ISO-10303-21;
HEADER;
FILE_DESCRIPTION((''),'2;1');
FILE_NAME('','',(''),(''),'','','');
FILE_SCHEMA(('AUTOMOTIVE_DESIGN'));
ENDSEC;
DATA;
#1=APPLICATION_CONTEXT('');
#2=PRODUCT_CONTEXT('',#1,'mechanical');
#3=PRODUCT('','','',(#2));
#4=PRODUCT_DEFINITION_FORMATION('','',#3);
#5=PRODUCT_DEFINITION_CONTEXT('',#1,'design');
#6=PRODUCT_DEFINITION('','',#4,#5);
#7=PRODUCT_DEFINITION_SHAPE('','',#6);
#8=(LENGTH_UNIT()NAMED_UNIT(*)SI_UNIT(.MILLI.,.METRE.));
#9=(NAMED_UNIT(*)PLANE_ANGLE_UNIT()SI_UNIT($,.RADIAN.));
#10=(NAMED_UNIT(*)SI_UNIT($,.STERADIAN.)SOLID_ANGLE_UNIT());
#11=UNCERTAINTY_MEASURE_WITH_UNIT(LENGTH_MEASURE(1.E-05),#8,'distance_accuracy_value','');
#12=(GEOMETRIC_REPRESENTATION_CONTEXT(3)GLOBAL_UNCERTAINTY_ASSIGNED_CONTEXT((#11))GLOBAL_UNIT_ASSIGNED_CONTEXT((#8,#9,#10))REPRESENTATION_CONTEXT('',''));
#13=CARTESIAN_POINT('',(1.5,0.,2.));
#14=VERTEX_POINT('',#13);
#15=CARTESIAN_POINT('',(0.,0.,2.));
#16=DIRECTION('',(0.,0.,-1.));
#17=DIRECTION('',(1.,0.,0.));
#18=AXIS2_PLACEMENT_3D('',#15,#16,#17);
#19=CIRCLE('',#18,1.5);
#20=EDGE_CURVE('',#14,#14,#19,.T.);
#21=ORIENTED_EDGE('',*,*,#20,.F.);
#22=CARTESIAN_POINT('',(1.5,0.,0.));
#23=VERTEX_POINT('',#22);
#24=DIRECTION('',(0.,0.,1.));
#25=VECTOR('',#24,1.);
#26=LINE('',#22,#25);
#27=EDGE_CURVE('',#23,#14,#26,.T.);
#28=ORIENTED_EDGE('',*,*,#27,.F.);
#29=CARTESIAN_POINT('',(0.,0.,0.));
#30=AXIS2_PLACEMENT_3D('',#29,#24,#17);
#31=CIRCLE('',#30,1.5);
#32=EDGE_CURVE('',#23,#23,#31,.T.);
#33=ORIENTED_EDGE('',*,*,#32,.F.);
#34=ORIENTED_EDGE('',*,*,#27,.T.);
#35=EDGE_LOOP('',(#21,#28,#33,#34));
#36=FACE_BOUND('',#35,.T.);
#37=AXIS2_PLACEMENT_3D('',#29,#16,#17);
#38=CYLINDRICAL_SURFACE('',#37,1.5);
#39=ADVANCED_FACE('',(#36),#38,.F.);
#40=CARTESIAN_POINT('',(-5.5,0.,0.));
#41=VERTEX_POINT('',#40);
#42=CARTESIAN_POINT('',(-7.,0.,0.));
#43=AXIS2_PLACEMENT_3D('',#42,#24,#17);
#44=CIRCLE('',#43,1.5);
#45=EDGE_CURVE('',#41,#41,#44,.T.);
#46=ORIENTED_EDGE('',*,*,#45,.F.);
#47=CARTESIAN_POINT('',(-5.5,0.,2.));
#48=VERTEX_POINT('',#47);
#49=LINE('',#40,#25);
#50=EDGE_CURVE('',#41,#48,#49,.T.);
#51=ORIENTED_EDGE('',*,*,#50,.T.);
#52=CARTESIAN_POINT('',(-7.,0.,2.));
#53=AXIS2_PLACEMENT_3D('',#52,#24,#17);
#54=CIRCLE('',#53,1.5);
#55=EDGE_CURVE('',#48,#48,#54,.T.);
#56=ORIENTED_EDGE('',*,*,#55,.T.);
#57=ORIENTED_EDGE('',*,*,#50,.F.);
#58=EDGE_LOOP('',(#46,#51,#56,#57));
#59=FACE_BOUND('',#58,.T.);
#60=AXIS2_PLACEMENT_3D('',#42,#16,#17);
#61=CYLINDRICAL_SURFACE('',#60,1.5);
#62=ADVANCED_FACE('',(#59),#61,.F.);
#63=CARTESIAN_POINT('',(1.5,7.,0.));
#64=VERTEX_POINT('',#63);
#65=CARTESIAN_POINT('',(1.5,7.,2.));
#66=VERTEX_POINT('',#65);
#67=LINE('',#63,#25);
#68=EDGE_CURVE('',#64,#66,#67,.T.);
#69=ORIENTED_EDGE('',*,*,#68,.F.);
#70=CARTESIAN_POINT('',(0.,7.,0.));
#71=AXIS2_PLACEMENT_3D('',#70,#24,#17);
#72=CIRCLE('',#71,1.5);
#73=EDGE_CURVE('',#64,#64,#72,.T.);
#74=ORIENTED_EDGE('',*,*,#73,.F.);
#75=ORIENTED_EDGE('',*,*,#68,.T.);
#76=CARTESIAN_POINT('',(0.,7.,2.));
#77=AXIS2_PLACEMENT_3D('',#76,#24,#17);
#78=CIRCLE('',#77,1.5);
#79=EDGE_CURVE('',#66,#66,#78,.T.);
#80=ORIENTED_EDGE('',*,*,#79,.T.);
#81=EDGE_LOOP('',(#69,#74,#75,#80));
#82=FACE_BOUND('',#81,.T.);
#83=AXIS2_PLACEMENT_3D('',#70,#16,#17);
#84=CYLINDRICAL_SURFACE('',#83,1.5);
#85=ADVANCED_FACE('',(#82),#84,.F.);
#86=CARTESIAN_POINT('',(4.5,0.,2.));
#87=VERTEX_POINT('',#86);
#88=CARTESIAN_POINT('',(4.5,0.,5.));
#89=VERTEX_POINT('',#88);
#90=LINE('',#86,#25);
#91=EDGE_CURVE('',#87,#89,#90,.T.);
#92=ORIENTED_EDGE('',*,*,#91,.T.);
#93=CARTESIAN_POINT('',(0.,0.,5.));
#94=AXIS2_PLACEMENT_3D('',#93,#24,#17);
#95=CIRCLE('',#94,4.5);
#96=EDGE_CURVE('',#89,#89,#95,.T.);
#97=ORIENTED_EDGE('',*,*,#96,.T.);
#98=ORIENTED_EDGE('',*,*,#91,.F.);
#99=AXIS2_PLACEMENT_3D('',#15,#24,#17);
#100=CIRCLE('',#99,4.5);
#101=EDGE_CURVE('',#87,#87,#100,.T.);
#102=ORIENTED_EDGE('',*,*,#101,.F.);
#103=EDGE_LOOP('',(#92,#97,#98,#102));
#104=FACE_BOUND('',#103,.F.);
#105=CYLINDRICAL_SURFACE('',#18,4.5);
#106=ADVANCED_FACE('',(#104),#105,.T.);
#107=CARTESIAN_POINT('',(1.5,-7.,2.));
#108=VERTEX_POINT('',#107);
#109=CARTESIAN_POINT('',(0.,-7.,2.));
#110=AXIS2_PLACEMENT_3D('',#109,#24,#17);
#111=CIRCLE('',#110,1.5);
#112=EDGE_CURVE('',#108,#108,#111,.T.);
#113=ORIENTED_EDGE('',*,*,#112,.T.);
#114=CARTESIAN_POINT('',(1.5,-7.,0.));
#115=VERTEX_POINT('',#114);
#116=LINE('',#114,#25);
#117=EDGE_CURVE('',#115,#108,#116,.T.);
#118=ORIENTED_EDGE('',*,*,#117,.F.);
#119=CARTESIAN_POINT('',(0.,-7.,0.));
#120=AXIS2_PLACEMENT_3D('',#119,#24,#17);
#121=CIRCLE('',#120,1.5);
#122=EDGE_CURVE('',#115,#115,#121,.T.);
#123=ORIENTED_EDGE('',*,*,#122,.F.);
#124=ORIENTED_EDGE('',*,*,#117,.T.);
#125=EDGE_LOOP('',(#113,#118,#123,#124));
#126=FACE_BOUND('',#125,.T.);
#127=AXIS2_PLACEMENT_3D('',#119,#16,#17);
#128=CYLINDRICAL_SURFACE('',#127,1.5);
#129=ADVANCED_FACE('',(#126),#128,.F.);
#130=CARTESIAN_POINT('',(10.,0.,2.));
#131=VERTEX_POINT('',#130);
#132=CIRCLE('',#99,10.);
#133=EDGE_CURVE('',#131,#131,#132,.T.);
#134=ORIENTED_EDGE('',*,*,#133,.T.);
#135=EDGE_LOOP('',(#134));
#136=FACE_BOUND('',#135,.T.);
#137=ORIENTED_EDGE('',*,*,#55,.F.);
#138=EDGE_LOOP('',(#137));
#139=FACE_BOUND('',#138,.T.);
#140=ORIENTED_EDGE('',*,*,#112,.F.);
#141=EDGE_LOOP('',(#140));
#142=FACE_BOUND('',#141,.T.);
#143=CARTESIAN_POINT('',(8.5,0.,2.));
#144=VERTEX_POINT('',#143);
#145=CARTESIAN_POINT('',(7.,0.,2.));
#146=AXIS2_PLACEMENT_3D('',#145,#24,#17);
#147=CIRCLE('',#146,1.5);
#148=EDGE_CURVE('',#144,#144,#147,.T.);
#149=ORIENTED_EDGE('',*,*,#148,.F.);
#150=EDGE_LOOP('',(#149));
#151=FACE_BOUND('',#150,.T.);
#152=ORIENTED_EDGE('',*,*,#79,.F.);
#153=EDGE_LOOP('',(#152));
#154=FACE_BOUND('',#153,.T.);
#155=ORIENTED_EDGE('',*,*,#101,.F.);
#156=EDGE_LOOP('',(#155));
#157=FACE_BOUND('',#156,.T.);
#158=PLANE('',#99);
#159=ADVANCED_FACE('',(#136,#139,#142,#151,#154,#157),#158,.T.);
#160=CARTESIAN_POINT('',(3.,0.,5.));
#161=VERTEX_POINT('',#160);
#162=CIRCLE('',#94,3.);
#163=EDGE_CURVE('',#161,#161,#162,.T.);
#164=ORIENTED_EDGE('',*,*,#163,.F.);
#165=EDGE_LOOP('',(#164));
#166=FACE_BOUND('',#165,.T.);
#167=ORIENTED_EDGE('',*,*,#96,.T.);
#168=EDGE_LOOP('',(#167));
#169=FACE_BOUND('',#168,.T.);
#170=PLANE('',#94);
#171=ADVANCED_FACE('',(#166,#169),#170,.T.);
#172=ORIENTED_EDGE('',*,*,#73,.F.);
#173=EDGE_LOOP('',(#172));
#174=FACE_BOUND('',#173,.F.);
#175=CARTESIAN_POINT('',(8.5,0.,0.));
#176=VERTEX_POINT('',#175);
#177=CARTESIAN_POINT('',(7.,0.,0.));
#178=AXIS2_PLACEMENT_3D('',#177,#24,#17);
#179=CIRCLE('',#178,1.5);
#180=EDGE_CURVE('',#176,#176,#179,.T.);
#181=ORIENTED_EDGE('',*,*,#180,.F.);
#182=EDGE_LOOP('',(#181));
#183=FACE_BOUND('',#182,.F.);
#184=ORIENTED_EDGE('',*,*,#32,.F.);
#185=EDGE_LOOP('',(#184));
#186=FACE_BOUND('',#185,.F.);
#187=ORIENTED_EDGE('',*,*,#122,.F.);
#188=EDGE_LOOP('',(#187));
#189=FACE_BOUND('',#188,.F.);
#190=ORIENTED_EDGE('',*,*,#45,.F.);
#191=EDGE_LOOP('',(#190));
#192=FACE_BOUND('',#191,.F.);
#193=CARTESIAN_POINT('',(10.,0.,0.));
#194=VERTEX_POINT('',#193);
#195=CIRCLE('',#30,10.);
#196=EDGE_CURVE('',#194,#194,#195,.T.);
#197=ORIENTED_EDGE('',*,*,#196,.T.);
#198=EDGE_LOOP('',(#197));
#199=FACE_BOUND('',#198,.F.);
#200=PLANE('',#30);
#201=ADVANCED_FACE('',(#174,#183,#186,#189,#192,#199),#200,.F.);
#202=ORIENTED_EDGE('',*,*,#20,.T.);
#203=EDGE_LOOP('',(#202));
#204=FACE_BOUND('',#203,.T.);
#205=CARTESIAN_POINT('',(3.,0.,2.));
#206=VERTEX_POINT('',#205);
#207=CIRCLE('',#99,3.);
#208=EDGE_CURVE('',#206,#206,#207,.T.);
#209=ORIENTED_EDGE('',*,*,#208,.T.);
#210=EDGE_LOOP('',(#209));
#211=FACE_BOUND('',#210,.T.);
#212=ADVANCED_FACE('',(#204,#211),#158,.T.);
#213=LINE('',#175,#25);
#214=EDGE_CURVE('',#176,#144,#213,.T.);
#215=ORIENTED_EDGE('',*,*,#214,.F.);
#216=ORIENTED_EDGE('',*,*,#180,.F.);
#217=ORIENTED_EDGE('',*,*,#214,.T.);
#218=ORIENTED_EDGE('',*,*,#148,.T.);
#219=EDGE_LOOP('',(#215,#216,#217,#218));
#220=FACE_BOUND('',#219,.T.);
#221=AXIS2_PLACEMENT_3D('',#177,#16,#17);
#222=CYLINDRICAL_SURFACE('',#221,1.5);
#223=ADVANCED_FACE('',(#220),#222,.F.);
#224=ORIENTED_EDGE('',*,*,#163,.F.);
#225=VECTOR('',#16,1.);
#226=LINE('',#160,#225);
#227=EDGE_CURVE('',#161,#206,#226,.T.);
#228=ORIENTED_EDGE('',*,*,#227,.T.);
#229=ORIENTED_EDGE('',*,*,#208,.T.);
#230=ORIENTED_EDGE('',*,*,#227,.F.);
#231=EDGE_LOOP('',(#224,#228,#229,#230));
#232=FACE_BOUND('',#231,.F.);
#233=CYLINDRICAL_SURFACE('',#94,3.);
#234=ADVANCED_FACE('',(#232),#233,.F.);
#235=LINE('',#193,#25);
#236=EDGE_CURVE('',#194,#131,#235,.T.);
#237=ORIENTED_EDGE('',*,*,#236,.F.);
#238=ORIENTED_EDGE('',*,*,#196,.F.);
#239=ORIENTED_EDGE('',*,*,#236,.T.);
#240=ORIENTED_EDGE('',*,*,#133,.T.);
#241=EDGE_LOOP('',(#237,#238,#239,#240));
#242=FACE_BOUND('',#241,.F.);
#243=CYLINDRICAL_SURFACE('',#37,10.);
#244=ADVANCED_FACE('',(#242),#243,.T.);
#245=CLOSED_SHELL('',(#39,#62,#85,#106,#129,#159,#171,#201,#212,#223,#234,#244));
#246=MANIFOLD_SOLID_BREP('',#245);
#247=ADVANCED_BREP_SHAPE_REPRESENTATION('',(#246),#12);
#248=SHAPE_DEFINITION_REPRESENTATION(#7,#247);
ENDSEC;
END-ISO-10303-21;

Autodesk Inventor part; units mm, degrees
ref_plane "YZ Plane" through (0, 0, 0) normal (1, 0, 0) x (0, 1, 0)
ref_plane "XZ Plane" through (0, 0, 0) normal (0, 1, 0) x (-1, 0, 0)
ref_plane "XY Plane" through (0, 0, 0) normal (0, 0, 1) x (1, 0, 0)
sketch "Sketch1" plane through (0, 0, 0) normal (0, 0, 1) x (1, 0, 0)
  circle A0 centre (0, 0) radius 10
  circle A1 centre (7, 0) radius 1.5
  circle A2 centre (0, 7) radius 1.5
  circle A3 centre (-7, 0) radius 1.5
  circle A4 centre (0, -7) radius 1.5
  circle A5 centre (0, 0) radius 1.5
  dimension "d0" = 20
  dimension "d1" = 3
  dimension "d2" = 7
  dimension "d5" = 360
  dimension "d7" = 3
extrude "Extrusion1" add sketch "Sketch1" along normal blind 2
sketch "Sketch2" plane through (0, 0, 2) normal (0, 0, 1) x (1, 0, 0)
  circle A0 centre (0, 0) radius 4.5
  circle A1 centre (0, 0) radius 1.5 projected
  dimension "d10" = 9
extrude "Extrusion2" add sketch "Sketch2" along normal blind 3
sketch "Sketch3" plane through (0, 0, 5) normal (0, 0, 1) x (1, 0, 0)
  circle A0 centre (0, 0) radius 3
  dimension "d13" = 6
extrude "Extrusion3" cut sketch "Sketch3" against normal blind 3
properties part number "Servo Mounting Hub" material "Aluminum 6061"
